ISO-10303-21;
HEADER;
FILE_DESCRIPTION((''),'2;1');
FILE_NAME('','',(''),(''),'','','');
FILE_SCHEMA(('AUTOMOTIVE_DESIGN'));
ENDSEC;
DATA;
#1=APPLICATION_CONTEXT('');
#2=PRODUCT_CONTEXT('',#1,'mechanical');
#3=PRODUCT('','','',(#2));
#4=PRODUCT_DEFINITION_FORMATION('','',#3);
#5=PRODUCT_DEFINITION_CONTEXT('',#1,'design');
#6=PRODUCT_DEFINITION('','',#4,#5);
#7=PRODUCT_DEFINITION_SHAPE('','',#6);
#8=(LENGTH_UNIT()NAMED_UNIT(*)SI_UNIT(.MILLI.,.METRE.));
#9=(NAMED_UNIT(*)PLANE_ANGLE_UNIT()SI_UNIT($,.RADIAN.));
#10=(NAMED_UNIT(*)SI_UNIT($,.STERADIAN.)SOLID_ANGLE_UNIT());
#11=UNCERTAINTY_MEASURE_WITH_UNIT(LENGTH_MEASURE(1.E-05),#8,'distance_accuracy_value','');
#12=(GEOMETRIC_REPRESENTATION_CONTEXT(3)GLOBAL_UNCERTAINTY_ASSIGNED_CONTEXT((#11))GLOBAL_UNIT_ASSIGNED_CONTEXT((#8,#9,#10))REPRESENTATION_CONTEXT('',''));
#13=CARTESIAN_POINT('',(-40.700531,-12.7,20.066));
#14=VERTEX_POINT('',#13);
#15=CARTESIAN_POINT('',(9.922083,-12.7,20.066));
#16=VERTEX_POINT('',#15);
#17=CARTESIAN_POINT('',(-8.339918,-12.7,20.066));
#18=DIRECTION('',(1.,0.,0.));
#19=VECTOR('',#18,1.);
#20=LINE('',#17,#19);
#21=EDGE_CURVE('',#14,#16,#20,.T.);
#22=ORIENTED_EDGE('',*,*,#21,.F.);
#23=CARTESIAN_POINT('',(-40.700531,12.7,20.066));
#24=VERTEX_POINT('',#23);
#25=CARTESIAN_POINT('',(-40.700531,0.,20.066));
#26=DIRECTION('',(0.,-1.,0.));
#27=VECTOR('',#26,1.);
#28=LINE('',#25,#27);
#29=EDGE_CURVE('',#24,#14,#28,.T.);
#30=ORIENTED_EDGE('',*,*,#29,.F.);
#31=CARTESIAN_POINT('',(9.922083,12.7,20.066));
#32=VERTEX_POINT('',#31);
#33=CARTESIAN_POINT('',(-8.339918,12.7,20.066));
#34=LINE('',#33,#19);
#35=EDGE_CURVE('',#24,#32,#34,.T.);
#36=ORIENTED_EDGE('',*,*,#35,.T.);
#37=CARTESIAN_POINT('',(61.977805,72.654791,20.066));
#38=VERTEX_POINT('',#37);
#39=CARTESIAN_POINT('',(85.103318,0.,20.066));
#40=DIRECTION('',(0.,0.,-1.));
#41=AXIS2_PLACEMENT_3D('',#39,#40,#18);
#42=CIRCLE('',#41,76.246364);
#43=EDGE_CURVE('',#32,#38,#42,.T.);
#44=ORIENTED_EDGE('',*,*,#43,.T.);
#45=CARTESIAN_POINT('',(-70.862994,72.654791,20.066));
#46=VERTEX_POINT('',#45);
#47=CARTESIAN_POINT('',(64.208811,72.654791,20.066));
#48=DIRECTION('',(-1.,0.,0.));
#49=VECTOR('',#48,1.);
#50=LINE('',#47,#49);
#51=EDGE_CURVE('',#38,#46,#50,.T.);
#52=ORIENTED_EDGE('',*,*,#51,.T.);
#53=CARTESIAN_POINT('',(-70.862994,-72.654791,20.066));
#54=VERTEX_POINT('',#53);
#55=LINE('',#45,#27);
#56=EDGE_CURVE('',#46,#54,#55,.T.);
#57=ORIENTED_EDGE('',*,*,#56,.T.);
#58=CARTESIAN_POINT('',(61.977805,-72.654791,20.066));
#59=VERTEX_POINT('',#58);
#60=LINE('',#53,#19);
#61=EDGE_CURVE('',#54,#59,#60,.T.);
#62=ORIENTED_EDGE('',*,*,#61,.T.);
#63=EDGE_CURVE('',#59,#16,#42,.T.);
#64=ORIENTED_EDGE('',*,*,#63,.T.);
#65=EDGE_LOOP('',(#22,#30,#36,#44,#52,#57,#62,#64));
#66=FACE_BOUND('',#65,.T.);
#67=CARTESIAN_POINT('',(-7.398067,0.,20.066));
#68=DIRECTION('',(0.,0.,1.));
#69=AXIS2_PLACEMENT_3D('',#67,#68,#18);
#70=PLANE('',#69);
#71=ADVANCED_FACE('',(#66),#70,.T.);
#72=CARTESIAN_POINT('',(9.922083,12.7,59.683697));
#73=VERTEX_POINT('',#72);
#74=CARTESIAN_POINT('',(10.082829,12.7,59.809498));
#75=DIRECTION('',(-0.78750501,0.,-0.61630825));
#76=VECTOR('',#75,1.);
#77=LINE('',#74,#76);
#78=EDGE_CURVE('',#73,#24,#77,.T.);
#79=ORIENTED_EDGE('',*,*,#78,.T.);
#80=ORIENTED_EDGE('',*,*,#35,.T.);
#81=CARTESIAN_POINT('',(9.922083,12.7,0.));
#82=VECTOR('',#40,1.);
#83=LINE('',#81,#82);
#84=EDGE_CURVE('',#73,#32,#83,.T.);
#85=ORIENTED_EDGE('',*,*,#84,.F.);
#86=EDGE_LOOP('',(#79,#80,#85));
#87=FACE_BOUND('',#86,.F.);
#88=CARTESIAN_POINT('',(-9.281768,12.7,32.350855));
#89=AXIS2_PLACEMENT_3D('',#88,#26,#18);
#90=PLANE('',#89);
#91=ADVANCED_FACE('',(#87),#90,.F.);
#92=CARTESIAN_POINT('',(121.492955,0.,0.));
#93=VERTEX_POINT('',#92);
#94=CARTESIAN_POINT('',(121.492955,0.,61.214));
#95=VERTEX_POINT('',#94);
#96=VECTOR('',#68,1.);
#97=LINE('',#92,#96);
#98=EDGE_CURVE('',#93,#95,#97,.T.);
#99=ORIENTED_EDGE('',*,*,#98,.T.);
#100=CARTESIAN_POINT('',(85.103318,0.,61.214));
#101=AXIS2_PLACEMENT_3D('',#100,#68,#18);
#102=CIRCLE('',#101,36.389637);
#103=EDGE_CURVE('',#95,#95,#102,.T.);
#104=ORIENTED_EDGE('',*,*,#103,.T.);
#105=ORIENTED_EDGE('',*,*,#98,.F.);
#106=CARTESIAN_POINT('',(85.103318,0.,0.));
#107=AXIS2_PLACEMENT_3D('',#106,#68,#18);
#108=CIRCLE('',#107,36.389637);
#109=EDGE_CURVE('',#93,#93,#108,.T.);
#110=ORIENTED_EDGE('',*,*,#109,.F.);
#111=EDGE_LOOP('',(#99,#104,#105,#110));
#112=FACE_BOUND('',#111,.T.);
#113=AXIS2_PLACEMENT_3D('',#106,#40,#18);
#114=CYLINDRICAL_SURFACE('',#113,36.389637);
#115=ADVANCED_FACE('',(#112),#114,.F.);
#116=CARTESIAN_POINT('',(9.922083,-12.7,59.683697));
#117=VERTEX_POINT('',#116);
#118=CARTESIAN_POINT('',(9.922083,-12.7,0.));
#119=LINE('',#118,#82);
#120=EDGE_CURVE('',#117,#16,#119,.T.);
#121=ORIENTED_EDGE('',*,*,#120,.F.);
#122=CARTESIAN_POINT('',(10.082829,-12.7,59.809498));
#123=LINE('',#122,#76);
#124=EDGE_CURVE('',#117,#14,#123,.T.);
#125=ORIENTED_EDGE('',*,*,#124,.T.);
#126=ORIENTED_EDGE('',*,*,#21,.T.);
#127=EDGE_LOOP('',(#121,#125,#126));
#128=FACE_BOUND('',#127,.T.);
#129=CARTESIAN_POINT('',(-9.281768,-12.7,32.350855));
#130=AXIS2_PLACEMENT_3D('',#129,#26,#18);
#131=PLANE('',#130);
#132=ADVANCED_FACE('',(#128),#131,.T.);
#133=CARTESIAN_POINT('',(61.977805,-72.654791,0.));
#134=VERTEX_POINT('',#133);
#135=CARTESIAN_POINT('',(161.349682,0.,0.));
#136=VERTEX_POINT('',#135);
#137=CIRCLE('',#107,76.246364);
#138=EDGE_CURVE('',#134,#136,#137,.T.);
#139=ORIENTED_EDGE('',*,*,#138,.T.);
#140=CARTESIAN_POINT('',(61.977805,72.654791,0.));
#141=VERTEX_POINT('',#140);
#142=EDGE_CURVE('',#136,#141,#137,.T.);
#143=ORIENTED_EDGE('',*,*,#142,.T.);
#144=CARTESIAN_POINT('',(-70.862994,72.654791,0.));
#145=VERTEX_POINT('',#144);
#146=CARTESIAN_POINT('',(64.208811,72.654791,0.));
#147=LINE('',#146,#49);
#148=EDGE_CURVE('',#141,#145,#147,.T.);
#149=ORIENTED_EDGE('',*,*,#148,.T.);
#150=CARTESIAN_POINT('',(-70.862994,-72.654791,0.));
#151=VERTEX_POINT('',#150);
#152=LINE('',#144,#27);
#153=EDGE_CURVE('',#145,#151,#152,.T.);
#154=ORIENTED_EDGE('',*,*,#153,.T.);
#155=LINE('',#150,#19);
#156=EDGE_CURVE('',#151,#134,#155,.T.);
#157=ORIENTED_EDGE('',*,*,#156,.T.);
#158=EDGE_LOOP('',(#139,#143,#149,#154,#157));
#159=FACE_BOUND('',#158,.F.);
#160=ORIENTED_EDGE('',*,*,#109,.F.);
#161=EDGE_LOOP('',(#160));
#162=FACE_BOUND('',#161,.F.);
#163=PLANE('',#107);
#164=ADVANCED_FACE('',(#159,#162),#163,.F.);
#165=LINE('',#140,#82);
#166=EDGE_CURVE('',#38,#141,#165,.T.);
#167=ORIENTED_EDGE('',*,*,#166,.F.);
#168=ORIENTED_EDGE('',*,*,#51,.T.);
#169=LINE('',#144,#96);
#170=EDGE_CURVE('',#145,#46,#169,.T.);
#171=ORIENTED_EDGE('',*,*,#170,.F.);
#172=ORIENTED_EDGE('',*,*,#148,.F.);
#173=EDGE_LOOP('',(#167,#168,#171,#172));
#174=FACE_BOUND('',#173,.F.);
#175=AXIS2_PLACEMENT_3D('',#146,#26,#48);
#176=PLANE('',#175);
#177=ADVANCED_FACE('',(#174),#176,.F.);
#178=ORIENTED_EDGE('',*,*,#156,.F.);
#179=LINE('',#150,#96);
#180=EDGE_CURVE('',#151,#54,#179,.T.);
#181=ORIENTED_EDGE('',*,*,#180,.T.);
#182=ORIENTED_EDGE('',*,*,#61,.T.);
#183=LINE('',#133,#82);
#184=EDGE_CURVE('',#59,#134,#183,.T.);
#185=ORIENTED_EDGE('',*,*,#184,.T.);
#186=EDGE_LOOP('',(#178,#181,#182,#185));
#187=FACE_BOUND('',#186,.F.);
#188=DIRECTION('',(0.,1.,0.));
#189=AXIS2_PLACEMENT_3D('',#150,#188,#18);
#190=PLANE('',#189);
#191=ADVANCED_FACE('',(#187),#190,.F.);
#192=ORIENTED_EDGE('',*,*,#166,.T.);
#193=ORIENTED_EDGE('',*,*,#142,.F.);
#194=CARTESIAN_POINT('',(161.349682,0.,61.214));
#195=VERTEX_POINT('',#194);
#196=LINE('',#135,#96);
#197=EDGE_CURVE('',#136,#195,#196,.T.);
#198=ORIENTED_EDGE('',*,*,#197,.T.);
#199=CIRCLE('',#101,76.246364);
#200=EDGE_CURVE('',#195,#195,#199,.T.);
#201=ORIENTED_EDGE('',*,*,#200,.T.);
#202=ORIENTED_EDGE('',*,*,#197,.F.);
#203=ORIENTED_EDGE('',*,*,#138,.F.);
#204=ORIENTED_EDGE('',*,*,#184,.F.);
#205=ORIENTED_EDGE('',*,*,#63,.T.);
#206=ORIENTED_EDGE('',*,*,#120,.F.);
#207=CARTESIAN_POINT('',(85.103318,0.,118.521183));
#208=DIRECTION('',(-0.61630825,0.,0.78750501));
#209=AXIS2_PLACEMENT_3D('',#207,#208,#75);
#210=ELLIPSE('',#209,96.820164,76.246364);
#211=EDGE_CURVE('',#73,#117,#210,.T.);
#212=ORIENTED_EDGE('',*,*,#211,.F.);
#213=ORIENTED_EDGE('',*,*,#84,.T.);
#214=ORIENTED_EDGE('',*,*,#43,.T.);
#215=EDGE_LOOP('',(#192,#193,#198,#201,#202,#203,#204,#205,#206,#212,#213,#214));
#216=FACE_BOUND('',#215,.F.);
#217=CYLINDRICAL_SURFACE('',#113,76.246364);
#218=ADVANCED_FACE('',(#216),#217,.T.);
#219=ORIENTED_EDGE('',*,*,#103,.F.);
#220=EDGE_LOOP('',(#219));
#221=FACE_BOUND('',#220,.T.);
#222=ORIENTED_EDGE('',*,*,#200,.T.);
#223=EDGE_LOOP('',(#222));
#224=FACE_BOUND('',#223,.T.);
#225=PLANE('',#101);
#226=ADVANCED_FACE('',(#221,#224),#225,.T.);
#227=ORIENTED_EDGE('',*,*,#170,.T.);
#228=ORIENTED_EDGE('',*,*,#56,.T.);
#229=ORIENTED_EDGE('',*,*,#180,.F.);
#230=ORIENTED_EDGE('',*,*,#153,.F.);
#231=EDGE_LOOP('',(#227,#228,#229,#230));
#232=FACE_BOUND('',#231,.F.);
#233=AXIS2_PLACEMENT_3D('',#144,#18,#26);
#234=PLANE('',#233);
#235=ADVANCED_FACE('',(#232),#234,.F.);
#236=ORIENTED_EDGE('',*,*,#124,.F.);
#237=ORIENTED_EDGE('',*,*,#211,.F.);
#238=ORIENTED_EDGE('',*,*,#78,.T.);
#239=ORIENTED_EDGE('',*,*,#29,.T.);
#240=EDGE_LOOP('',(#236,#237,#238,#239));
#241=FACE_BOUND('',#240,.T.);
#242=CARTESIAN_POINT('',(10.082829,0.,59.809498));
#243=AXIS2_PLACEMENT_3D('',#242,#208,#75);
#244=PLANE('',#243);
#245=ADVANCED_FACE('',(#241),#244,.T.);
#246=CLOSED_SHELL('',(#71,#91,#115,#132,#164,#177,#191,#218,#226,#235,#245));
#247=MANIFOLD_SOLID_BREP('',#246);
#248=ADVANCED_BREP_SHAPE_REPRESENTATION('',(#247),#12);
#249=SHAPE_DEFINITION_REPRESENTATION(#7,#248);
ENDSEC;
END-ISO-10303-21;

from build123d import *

# Parameters (mm, degrees)
F1_DEPTH = 20.066
F2_R     = 76.246364
F2_R_2   = 36.389637
F3_DEPTH = 61.214
F5_DEPTH = 12.7


with BuildPart() as f1:
    # F0 (on Top) → F1 (new body)
    with BuildSketch(Plane.XY):
        with BuildLine():
            Line((-70.862994, -72.654791), (64.208811, -72.654791))
            ThreePointArc((64.208811, -72.654791), (22.925008, 0), (64.208811, 72.654791))
            Line((64.208811, 72.654791), (-70.862994, 72.654791))
            Line((-70.862994, 72.654791), (-70.862994, -72.654791))
        make_face()
    extrude(amount=F1_DEPTH)

    # F2 (on Top) → F3 (join)
    with BuildSketch(Plane.XY):
        with Locations((85.103318, 0)):
            Circle(F2_R)
        with Locations((85.103318, 0)):
            Circle(F2_R_2, mode=Mode.SUBTRACT)
    extrude(amount=F3_DEPTH)

    # F4 (on Front) → F5 (join, symmetric)
    with BuildSketch(Plane.XZ):
        Polygon((10.999451, 18.561568), (10.082829, 59.809498), (-42.622861, 18.561568), align=None)
    extrude(amount=F5_DEPTH, both=True)


solid = f1.part
